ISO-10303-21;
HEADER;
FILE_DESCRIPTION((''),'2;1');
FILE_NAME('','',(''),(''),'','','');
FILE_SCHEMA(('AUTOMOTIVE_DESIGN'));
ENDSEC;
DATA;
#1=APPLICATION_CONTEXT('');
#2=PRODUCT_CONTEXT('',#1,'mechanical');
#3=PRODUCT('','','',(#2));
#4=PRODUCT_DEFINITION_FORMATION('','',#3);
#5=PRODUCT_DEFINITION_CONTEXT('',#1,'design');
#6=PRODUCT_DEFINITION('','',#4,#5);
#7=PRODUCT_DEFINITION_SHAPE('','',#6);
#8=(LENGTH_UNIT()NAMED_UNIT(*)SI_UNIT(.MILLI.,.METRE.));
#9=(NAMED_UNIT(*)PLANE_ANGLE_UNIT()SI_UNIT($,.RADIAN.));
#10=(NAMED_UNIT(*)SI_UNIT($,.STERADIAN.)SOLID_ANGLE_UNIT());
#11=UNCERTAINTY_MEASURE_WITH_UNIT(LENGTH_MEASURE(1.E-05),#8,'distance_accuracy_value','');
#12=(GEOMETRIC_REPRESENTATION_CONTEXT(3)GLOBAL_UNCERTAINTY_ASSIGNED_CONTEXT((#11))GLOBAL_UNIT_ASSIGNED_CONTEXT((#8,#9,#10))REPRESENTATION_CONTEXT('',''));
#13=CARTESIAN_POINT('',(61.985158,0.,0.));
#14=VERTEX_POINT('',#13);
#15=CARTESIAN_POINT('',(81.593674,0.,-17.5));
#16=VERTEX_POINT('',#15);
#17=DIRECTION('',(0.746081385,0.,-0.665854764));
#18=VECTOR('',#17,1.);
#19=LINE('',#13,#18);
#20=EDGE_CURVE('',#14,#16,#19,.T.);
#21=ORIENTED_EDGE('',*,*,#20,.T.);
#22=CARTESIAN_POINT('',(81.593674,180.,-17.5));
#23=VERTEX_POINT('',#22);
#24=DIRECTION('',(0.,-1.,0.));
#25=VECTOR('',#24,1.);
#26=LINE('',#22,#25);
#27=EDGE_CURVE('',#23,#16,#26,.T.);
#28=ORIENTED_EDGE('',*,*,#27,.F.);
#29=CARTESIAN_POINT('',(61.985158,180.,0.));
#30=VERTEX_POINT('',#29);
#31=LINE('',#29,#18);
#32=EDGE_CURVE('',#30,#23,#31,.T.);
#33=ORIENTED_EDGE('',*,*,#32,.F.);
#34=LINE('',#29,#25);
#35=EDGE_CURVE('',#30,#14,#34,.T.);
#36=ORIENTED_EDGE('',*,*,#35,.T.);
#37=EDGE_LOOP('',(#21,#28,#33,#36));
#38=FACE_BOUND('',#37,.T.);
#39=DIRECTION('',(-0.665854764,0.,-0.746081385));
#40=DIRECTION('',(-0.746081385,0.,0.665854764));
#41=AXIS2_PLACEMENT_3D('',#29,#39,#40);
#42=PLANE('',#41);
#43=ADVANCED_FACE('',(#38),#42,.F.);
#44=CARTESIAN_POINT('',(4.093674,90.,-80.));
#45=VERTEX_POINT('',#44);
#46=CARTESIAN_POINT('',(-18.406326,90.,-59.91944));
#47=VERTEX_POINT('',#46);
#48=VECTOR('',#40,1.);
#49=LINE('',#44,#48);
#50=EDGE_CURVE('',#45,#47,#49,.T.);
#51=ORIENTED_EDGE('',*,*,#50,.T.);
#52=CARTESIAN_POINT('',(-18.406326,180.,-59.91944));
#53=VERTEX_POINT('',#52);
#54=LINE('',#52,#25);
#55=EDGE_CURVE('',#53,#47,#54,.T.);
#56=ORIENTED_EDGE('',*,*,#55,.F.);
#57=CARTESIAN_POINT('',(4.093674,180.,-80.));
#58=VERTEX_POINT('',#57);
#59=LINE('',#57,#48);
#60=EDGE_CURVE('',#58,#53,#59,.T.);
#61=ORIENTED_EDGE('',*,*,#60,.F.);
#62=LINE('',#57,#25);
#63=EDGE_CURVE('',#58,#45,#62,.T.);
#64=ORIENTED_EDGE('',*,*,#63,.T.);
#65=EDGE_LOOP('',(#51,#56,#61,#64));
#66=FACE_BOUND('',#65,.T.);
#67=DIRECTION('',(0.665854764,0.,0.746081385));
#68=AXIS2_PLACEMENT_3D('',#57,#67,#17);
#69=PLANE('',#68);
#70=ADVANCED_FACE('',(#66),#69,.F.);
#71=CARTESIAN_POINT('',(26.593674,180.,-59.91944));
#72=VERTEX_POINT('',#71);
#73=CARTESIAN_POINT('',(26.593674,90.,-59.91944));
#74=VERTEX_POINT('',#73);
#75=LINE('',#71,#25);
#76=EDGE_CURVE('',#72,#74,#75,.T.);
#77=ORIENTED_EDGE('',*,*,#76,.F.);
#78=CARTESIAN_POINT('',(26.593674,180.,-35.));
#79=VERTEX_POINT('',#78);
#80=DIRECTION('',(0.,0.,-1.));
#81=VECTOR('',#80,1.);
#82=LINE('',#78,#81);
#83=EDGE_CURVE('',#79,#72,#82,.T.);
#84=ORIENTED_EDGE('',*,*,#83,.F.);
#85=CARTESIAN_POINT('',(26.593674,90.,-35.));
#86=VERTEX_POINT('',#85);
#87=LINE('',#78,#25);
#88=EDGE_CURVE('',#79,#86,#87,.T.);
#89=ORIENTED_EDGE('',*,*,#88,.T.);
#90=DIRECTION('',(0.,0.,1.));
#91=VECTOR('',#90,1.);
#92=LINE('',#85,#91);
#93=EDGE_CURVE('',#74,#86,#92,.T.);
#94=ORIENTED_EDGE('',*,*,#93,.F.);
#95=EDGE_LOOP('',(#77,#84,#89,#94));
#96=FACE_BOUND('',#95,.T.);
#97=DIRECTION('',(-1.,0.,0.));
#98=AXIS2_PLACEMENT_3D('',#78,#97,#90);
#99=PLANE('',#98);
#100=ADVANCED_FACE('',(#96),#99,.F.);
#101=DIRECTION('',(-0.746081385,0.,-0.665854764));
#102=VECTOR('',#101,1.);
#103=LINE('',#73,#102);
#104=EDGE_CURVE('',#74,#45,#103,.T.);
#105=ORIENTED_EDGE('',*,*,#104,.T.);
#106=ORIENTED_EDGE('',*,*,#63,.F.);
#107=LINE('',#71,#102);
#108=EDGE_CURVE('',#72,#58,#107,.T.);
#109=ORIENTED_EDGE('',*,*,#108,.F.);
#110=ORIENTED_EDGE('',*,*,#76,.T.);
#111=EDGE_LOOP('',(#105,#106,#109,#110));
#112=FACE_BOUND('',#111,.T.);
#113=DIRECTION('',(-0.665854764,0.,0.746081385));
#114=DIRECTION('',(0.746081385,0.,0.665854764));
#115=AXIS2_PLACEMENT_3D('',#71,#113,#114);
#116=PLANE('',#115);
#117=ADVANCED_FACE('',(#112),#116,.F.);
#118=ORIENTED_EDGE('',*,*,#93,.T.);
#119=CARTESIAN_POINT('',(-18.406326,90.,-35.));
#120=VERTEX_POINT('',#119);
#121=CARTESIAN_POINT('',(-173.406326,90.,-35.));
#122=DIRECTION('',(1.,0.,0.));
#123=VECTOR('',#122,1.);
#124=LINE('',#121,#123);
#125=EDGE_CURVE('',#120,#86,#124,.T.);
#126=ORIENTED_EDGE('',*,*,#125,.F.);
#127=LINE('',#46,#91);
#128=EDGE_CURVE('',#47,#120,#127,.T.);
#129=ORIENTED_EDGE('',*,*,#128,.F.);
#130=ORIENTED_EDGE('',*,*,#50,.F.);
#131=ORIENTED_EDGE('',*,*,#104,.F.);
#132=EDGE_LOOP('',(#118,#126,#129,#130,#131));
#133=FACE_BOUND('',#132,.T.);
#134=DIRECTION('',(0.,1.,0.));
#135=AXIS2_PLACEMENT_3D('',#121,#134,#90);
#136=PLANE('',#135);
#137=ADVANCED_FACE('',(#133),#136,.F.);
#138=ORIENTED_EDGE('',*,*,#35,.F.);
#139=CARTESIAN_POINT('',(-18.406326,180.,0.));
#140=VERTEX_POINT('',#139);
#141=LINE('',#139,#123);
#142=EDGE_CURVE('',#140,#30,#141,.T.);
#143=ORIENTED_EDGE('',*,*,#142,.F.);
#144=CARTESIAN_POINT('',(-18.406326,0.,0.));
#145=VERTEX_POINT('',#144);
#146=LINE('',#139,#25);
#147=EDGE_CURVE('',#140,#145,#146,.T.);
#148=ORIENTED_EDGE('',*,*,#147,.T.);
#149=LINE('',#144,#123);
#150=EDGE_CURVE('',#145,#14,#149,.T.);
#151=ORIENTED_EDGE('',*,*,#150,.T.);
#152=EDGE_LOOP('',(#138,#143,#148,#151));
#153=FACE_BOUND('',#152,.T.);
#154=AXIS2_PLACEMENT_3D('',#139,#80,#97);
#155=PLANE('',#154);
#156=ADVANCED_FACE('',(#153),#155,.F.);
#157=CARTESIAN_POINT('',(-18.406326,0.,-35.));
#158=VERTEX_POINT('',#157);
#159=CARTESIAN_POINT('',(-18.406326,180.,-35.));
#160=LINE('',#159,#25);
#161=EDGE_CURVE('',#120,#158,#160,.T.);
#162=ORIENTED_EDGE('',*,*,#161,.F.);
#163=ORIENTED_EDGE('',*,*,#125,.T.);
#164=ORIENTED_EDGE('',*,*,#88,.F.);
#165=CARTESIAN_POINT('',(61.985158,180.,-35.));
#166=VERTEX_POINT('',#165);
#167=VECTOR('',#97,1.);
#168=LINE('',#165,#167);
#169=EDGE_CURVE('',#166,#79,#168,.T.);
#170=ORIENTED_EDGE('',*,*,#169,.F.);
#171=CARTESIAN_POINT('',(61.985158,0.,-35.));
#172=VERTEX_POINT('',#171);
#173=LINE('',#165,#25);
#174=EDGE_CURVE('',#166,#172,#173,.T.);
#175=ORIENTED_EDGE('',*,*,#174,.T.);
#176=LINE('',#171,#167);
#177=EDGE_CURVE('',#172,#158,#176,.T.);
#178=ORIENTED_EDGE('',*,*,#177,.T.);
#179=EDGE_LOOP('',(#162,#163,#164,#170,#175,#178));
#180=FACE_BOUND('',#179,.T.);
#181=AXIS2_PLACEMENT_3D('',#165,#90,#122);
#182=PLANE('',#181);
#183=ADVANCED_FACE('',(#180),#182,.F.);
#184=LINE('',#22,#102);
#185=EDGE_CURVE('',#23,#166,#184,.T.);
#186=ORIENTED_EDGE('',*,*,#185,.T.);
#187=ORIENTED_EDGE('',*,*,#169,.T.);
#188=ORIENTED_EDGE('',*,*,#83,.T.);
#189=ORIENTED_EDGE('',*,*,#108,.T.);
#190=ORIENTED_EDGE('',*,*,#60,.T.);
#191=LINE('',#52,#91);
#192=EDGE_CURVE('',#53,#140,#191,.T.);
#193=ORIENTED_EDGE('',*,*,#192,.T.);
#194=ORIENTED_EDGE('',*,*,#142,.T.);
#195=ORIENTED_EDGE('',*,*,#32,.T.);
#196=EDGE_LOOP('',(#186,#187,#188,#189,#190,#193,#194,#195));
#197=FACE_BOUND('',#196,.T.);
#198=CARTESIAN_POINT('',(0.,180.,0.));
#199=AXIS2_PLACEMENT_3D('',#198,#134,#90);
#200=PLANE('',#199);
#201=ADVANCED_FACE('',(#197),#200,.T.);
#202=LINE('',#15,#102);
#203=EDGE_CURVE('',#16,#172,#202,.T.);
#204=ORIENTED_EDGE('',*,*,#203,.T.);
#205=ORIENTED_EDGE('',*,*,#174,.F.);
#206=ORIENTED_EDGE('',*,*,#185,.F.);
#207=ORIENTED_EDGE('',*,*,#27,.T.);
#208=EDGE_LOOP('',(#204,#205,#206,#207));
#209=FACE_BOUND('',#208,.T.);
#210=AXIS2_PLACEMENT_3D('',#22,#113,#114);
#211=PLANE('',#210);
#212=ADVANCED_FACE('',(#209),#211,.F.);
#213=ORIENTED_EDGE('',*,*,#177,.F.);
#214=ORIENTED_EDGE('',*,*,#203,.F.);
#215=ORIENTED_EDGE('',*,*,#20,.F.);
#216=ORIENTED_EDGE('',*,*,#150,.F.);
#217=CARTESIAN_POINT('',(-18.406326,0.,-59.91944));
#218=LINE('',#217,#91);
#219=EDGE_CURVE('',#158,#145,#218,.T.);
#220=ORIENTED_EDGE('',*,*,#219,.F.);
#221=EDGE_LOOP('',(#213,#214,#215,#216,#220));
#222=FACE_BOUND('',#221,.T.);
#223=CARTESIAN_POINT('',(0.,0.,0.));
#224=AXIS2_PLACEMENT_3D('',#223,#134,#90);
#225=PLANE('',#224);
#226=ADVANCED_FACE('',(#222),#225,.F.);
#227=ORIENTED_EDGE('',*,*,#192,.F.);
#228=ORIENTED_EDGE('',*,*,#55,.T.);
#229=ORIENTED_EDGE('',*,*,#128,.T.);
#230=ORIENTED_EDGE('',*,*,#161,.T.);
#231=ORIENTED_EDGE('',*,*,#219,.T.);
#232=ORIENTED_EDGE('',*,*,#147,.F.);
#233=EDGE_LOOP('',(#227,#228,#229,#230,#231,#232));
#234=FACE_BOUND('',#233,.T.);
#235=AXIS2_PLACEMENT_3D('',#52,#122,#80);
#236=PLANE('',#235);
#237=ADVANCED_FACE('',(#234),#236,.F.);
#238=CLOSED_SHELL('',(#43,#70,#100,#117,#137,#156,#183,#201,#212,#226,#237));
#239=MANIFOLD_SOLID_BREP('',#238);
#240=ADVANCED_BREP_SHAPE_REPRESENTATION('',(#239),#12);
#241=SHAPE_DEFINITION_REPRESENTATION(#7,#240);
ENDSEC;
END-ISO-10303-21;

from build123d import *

# Parameters (mm, degrees)
EXTRUDE_1_DEPTH     = 180
SKETCH_4_W          = 115.68849301
SKETCH_4_H          = 90
CUT_EXTRUDE_1_DEPTH = 200


with BuildPart() as part:
    # 草图1 → 凸台-拉伸1 (new body)
    with BuildSketch(Plane(origin=(0, 0, 0), x_dir=(1, 0, 0), z_dir=(0, 1, 0))):
        Polygon((-18.406325618, 0), (61.985157699, 0), (81.593674382, 17.5), (61.985157699, 35), (26.593674382, 35), (26.593674382, 59.919439784), (4.093674382, 80), (-18.406325618, 59.919439784), align=None)
    extrude(amount=EXTRUDE_1_DEPTH)

    # 草图4 → 切除-拉伸1 (cut)
    with BuildSketch(Plane(origin=(26.593674382, 0, 0), x_dir=(0, 0, -1), z_dir=(1, 0, 0))):
        with Locations((92.844246505, 45)):
            Rectangle(SKETCH_4_W, SKETCH_4_H)
    extrude(amount=-CUT_EXTRUDE_1_DEPTH, mode=Mode.SUBTRACT)


solid = part.part
